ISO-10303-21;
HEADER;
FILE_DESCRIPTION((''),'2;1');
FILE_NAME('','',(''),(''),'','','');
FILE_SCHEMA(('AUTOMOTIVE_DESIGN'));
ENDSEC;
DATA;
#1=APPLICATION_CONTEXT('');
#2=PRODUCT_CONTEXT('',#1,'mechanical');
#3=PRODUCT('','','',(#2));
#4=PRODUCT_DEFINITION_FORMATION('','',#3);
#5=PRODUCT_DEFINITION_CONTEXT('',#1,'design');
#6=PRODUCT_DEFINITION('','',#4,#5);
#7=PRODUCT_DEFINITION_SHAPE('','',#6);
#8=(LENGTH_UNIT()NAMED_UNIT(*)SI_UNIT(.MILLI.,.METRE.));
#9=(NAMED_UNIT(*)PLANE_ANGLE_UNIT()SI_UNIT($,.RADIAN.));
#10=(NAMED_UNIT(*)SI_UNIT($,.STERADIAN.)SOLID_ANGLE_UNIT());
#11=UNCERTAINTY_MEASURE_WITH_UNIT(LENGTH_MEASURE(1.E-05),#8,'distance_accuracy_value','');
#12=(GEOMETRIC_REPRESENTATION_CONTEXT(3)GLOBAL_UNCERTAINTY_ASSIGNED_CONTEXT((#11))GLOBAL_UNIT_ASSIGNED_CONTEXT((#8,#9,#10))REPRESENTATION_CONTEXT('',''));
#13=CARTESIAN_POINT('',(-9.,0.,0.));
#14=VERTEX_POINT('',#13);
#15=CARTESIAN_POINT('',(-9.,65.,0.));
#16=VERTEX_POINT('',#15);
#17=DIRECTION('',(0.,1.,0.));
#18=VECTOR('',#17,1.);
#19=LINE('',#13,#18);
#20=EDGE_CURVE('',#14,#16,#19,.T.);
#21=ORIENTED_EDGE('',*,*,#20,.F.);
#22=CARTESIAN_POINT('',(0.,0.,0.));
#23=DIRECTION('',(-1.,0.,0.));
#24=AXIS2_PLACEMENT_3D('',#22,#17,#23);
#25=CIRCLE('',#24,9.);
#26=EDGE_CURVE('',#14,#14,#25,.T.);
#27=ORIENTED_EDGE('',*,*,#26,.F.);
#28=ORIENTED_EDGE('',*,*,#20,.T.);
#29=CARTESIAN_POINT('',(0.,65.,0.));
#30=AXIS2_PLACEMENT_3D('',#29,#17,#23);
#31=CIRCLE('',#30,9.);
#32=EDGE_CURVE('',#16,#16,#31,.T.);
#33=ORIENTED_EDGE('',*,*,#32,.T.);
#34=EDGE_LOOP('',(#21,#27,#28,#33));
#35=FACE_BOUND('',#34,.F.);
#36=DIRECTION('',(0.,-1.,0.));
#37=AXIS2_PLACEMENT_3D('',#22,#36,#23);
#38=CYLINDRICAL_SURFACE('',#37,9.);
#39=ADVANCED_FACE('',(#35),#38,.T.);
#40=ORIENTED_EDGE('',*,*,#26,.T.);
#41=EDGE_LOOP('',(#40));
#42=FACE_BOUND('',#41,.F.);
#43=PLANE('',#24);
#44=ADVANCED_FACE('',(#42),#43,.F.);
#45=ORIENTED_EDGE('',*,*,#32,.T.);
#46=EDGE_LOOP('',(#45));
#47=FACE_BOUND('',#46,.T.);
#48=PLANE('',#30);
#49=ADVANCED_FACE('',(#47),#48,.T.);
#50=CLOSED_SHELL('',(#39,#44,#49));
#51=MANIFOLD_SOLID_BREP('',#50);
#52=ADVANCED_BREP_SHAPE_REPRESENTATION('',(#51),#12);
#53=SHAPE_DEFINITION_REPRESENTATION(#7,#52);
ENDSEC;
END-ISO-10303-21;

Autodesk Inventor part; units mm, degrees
ref_plane "YZ Plane" through (0, 0, 0) normal (1, 0, 0) x (0, 1, 0)
ref_plane "XZ Plane" through (0, 0, 0) normal (0, 1, 0) x (-1, 0, 0)
ref_plane "XY Plane" through (0, 0, 0) normal (0, 0, 1) x (1, 0, 0)
sketch "Sketch1" plane through (0, 0, 0) normal (0, 1, 0) x (-1, 0, 0)
  circle A0 centre (0, 0) radius 9
  line L0 (0, 0) -> (0, -61.3231) construction
  line L1 (0, 0) -> (-21.4722, 0) construction
  line L2 (0, -61.3231) -> (0, -76.3064) construction
  dimension "d0" = 18
extrude "Extrusion1" add sketch "Sketch1" along normal blind 65
properties part number "cellsplaceholder"
